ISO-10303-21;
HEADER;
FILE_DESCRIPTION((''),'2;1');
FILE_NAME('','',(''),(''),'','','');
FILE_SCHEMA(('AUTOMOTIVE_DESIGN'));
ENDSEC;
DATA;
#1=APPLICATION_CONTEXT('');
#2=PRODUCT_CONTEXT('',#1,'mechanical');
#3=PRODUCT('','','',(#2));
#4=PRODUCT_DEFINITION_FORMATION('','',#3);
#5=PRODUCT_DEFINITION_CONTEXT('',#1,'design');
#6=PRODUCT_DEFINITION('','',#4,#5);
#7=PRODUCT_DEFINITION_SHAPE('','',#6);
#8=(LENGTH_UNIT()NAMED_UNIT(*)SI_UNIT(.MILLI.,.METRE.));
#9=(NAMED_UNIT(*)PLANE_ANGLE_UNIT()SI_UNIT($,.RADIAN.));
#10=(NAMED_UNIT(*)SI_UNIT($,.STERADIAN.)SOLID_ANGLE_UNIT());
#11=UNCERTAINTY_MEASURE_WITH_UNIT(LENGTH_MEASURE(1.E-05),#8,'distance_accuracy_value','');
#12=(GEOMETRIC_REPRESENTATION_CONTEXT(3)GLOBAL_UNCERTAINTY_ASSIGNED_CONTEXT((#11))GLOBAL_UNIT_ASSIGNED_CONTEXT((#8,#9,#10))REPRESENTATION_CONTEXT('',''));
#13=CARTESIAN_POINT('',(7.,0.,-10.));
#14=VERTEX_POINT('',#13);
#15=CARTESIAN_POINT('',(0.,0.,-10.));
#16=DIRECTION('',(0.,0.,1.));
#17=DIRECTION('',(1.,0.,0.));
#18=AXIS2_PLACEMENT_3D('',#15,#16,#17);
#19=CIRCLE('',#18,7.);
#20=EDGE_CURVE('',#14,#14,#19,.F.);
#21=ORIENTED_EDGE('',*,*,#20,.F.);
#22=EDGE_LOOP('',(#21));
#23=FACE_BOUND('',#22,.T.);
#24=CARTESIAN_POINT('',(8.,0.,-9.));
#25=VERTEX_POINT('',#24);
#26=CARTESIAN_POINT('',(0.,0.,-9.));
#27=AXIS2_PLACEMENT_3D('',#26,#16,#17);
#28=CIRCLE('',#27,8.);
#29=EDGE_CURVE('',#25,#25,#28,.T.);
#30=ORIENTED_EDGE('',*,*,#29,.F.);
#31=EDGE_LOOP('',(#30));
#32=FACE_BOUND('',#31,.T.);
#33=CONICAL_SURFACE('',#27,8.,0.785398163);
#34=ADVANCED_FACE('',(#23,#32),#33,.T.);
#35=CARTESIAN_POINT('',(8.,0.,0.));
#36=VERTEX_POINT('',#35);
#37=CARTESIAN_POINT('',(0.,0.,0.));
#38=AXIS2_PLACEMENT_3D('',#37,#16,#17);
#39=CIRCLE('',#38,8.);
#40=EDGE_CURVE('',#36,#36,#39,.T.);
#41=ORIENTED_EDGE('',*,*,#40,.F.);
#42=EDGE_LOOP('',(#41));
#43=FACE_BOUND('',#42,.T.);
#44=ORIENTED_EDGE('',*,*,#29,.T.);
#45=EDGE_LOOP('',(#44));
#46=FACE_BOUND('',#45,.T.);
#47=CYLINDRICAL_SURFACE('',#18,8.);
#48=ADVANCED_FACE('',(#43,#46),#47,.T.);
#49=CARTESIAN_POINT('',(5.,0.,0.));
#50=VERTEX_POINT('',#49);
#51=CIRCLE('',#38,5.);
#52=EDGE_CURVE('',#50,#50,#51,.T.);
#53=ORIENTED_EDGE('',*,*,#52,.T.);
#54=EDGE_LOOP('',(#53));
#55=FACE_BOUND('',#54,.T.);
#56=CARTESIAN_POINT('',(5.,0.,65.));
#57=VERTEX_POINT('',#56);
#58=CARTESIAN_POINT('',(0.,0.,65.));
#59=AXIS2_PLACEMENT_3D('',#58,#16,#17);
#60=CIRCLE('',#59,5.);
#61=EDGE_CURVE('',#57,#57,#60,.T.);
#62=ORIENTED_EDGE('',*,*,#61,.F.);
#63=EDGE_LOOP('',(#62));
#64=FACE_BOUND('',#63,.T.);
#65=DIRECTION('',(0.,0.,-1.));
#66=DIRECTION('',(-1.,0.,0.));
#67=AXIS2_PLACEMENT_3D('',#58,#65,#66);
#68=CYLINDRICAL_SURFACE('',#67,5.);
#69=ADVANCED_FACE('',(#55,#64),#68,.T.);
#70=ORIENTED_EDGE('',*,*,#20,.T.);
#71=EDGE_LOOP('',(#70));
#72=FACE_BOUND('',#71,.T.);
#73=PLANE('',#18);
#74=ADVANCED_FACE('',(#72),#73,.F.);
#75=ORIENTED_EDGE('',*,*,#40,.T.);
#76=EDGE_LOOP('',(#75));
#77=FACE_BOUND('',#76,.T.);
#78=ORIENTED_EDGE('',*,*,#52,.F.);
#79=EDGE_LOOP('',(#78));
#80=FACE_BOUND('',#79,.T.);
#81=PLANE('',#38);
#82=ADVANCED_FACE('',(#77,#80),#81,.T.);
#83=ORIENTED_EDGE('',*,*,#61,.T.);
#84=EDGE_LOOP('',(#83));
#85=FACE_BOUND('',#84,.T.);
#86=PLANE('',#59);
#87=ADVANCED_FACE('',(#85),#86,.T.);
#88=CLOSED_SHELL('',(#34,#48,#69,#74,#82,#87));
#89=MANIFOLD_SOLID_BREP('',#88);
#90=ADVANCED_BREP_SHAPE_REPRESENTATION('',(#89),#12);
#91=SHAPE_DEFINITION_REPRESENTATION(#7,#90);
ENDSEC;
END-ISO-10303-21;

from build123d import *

# Parameters (mm, degrees)
SKETCH_1_R      = 5
EXTRUDE_1_DEPTH = 65
SKETCH_1_3_R    = 8
EXTRUDE_2_DEPTH = 10
CHAMFER_1_SIZE  = 1


with BuildPart() as part:
    # 草图1 → 凸台-拉伸1 (new body)
    with BuildSketch(Plane.XY):
        Circle(SKETCH_1_R)
    extrude(amount=EXTRUDE_1_DEPTH)

    # 草图1<3> → 凸台-拉伸2 (add)
    with BuildSketch(Plane.XY):
        Circle(SKETCH_1_3_R)
    extrude(amount=-EXTRUDE_2_DEPTH)

    # 倒角1
    chamfer_1_edges = [part.edges().sort_by_distance(p)[0] for p in [
        (-8, 0, -10),
    ]]
    chamfer(chamfer_1_edges, length=CHAMFER_1_SIZE)


solid = part.part
